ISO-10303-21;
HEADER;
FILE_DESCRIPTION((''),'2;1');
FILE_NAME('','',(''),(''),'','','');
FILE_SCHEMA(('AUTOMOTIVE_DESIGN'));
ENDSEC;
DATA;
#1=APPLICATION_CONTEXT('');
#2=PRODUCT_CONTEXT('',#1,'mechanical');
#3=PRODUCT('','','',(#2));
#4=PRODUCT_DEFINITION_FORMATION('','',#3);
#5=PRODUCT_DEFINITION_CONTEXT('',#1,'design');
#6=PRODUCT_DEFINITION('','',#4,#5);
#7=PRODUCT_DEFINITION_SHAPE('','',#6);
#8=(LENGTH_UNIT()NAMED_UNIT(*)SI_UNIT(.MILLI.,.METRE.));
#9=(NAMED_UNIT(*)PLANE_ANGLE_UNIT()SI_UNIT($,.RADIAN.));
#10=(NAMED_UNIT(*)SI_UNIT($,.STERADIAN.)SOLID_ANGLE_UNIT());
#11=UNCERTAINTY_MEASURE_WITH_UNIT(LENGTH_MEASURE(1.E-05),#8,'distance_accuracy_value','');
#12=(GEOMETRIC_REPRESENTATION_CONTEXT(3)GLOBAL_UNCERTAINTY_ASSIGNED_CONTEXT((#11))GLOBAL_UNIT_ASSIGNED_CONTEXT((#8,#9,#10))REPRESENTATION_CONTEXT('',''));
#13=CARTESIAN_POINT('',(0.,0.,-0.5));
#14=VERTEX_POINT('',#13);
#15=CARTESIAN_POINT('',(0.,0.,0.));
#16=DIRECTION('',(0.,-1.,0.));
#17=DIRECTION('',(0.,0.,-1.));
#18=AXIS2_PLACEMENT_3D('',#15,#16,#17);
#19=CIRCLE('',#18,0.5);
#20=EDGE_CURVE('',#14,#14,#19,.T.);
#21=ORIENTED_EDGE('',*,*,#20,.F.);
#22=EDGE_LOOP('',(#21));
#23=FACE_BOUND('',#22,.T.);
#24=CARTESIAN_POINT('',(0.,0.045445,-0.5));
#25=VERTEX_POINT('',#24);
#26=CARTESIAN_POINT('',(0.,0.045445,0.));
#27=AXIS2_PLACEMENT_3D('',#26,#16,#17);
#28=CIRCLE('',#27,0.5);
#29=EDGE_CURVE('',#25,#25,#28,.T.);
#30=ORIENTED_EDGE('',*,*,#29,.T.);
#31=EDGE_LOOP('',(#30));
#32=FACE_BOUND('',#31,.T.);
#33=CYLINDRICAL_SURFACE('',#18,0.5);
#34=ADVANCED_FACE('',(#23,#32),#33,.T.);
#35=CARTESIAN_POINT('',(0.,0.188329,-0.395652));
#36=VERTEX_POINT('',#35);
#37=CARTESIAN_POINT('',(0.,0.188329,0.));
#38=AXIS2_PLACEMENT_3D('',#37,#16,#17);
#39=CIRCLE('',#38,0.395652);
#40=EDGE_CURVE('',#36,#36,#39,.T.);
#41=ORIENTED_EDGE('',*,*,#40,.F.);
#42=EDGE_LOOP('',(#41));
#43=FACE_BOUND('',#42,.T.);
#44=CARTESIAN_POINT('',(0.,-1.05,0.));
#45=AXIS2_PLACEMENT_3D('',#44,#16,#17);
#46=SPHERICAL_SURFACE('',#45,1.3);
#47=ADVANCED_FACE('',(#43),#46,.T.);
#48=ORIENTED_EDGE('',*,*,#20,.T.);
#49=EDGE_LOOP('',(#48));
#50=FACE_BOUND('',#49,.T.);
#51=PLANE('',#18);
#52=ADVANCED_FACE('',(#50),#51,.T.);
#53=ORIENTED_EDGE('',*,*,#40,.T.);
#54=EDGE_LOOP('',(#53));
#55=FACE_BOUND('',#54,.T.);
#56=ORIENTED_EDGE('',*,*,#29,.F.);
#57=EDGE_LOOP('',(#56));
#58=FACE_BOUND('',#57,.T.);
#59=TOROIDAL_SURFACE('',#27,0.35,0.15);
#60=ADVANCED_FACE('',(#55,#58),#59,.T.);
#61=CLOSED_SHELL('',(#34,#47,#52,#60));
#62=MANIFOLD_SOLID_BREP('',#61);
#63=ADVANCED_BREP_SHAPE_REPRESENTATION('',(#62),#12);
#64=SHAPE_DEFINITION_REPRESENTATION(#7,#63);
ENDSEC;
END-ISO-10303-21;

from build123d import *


with BuildPart() as part:
    # Croquis1 → Revolución1 (revolve)
    with BuildSketch(Plane(origin=(0, 0, 0), x_dir=(0, 0, -1), z_dir=(1, 0, 0))):
        with BuildLine():
            Line((0, 0), (0, 0.25))
            ThreePointArc((0, 0.25), (0.200214836, 0.234489789), (0.395652174, 0.18832926))
            ThreePointArc((0.395652174, 0.18832926), (0.471135928, 0.133910289), (0.5, 0.045445115))
            Line((0.5, 0.045445115), (0.5, 0))
            Line((0.5, 0), (0, 0))
        make_face()
    revolve(axis=Axis((0, 0, 0), (0, 1, 0)))


solid = part.part
